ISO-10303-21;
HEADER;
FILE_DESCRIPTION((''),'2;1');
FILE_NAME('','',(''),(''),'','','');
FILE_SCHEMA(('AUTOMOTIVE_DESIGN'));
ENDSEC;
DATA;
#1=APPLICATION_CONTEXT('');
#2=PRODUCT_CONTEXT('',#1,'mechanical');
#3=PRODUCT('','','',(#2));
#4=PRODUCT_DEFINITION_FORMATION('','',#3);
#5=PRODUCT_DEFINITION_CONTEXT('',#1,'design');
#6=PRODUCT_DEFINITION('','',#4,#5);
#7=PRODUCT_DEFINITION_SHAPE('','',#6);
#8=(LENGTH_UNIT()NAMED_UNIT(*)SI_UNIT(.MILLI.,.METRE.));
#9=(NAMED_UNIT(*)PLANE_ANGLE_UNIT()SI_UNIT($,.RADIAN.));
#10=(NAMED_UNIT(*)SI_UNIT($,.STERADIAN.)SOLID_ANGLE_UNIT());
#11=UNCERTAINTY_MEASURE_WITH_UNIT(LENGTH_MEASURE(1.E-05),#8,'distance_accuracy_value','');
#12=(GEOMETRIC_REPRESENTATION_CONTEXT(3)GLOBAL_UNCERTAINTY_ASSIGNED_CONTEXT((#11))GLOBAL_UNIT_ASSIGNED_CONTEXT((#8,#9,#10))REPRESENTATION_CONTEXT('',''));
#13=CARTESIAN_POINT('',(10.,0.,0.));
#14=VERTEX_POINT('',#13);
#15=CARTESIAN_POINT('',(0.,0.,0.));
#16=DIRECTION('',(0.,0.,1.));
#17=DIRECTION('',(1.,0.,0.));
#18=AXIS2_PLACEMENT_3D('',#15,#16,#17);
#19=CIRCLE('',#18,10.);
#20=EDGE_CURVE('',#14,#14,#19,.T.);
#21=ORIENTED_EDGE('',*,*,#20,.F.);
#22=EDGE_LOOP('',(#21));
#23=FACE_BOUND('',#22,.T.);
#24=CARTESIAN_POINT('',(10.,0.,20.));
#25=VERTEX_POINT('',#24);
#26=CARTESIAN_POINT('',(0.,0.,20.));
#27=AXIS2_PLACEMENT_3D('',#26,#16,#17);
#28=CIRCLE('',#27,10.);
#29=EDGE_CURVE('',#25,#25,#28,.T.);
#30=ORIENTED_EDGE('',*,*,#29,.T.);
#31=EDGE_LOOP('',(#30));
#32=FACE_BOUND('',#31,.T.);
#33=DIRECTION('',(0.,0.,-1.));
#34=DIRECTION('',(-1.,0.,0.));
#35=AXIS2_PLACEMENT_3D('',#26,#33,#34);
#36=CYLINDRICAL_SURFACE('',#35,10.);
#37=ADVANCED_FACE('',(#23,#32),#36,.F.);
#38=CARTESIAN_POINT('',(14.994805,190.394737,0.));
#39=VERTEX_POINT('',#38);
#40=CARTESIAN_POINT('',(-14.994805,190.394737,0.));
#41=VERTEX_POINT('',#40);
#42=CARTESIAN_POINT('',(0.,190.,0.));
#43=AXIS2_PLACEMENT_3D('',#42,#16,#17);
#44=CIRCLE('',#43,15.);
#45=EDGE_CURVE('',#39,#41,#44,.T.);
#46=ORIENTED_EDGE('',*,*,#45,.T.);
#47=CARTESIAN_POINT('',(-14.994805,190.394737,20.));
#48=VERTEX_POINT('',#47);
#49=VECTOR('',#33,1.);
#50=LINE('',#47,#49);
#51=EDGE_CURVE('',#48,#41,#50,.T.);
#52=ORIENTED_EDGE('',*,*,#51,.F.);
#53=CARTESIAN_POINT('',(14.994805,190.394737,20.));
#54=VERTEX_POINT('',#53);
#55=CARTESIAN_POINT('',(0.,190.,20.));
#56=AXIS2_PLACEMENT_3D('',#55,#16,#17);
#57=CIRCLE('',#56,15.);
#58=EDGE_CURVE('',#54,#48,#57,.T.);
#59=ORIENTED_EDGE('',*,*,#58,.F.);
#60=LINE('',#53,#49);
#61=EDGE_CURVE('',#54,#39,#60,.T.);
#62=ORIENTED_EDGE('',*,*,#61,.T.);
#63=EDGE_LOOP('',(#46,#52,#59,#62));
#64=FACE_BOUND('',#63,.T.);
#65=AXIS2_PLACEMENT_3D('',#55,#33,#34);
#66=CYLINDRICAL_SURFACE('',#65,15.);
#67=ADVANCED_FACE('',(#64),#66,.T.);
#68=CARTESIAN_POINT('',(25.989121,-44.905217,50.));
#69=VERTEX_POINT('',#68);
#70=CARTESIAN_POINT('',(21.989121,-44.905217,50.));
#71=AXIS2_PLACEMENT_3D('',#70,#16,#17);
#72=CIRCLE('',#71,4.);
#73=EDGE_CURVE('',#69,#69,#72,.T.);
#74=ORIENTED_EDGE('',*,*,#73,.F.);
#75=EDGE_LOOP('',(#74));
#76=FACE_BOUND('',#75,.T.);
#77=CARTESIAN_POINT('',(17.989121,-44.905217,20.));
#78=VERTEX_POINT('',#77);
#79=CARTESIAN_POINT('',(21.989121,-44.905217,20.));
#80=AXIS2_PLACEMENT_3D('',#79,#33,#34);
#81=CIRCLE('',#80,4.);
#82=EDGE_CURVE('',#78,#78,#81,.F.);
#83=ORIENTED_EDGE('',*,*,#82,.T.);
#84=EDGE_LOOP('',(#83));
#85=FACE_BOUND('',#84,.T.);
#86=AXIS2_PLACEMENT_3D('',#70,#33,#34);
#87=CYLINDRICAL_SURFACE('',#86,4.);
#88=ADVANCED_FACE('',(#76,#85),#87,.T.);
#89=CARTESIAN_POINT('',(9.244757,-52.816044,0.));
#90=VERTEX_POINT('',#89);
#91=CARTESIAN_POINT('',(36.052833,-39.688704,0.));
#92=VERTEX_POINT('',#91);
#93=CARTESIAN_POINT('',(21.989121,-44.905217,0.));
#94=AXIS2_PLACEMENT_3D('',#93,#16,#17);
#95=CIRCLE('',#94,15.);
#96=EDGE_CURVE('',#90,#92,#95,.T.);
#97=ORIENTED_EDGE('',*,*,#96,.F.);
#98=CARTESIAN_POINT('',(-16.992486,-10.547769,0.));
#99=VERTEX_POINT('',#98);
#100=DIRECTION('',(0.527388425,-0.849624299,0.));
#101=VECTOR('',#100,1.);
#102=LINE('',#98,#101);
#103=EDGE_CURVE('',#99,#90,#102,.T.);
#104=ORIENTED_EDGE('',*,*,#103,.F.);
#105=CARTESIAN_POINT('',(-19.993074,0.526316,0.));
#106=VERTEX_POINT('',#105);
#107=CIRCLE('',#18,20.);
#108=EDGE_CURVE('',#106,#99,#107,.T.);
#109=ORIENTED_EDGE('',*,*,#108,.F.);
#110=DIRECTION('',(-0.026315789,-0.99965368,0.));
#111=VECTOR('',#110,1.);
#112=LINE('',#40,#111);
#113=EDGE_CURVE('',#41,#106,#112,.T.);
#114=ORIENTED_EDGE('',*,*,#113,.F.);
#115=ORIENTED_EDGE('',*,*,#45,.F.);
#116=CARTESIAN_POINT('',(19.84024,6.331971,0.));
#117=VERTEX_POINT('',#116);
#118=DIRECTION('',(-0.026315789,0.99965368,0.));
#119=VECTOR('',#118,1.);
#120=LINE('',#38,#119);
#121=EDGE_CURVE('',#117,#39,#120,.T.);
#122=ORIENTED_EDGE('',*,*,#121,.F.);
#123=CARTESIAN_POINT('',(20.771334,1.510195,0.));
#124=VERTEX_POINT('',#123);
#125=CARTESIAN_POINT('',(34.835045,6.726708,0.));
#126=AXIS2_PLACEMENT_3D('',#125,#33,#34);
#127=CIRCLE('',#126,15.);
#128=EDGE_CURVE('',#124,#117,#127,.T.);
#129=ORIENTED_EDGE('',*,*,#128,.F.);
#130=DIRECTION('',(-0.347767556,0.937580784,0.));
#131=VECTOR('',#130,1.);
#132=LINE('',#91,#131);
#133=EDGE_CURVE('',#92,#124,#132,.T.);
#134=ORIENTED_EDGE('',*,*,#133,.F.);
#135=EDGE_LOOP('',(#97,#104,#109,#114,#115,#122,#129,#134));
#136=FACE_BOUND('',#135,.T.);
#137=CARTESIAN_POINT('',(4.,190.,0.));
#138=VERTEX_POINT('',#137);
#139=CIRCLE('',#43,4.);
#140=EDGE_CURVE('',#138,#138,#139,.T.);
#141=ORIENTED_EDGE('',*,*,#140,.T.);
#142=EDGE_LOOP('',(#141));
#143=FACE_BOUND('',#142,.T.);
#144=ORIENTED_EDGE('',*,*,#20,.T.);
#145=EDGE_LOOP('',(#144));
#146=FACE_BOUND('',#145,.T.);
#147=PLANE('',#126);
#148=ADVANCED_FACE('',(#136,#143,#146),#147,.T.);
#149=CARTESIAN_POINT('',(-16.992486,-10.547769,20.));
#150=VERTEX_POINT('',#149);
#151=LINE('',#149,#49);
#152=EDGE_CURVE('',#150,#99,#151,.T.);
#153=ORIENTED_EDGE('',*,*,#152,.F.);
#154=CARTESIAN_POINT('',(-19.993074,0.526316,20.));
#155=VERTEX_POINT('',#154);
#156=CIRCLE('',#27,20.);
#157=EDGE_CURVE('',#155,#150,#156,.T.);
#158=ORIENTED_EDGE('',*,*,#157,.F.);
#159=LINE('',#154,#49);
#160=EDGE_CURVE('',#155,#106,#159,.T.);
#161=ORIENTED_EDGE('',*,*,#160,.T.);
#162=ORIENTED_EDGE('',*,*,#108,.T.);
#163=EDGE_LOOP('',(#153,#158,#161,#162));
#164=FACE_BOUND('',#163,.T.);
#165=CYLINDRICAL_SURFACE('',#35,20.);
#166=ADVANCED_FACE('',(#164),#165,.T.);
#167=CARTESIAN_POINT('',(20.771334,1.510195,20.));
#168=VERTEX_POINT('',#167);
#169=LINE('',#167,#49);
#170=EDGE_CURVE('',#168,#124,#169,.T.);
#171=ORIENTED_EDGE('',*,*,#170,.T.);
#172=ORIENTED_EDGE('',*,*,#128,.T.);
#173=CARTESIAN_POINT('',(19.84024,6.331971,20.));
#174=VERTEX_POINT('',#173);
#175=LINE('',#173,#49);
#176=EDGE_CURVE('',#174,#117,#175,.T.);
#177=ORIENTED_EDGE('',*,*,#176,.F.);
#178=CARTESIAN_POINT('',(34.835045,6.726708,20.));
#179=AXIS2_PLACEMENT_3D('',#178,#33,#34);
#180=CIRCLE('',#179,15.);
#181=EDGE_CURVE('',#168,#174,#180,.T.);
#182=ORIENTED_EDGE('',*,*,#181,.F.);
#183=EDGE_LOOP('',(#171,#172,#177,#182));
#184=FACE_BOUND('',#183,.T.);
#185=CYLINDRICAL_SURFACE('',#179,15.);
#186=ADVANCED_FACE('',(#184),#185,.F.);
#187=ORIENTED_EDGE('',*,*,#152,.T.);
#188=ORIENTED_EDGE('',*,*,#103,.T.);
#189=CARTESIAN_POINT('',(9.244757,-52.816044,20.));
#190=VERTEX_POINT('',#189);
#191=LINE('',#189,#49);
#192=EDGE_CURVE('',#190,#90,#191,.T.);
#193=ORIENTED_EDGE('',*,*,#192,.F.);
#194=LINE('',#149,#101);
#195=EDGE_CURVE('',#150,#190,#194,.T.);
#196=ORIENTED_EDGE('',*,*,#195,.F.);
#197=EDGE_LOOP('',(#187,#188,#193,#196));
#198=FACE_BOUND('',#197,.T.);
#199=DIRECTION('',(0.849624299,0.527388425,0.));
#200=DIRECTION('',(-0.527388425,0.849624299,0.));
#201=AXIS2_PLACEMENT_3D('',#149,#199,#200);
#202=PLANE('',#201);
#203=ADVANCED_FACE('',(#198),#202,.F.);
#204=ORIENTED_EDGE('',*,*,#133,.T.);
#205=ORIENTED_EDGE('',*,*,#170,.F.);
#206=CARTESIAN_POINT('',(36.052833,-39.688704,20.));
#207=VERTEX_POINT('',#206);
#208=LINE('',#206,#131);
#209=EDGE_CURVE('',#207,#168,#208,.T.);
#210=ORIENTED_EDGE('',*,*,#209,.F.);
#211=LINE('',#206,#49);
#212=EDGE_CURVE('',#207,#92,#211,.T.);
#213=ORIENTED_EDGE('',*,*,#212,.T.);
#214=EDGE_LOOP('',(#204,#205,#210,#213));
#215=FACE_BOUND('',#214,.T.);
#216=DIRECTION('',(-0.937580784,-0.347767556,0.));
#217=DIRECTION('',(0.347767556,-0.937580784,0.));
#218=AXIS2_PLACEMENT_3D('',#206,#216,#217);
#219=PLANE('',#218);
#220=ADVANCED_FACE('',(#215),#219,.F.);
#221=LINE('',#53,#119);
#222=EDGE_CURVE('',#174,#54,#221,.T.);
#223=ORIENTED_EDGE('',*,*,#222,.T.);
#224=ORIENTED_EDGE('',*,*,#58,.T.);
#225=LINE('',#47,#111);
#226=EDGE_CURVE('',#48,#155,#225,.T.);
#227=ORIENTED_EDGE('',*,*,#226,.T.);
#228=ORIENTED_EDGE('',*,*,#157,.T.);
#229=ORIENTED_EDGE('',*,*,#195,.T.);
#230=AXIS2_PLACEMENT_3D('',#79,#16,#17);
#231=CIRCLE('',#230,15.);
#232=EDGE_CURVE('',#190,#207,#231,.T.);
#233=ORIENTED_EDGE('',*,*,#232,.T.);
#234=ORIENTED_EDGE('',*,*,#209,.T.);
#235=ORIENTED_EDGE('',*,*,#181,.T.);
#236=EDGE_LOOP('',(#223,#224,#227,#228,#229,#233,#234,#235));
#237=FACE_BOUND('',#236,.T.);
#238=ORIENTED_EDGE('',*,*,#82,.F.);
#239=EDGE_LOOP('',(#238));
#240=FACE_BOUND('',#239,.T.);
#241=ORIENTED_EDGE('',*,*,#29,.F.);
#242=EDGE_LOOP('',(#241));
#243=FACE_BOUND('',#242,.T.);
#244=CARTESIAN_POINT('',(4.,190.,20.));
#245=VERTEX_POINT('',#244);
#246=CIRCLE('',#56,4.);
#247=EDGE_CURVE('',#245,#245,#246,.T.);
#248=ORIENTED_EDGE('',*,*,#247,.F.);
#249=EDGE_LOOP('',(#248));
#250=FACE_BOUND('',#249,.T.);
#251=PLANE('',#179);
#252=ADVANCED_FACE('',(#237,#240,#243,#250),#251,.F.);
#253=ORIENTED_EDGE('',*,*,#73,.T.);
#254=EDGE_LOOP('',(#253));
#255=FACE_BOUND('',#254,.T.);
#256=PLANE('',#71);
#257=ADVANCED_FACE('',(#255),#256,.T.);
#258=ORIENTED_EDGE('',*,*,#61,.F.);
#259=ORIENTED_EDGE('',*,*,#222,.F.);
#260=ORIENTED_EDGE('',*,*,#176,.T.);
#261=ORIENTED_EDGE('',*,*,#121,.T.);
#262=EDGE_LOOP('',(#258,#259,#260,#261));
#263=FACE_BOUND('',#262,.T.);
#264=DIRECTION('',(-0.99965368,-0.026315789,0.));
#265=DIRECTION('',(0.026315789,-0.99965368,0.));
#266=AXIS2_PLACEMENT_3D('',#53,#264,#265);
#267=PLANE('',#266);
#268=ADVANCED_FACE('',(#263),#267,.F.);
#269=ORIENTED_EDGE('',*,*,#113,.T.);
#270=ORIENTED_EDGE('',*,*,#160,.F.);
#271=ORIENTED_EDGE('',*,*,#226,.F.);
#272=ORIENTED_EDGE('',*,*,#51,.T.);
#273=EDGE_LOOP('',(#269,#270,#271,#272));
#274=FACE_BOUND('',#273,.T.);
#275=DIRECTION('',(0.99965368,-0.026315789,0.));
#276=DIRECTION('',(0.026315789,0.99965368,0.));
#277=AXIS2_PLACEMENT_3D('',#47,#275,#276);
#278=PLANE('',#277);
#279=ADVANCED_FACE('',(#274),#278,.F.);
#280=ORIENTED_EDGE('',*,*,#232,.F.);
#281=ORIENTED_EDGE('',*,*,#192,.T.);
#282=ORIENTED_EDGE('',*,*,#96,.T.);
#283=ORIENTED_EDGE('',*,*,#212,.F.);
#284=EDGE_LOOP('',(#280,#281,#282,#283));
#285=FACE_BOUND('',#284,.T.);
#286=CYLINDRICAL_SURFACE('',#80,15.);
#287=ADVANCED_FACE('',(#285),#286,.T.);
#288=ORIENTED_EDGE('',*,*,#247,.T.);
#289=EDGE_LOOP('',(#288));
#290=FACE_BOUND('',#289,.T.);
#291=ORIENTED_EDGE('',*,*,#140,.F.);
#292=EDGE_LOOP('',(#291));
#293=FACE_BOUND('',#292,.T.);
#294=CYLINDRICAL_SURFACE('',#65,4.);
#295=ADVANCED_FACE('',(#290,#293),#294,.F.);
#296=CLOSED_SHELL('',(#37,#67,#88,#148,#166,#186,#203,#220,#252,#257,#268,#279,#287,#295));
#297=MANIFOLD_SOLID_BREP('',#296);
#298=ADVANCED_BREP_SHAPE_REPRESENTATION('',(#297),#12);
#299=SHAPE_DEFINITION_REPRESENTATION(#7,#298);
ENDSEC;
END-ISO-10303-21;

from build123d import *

# Parameters (mm, degrees)
SKETCH_1_R      = 4
SKETCH_1_R_2    = 10
EXTRUDE_1_DEPTH = 20
SKETCH_2_R      = 4
EXTRUDE_2_DEPTH = 30


with BuildPart() as part:
    # 草图1 → 凸台-拉伸1 (new body)
    with BuildSketch(Plane.XY):
        with BuildLine():
            Line((-14.994805195, 190.394736842), (-19.993073593, 0.526315789))
            ThreePointArc((-19.993073593, 0.526315789), (-19.303930684, -5.230512418), (-16.992485973, -10.547768506))
            Line((-16.992485973, -10.547768506), (9.244756909, -52.816043677))
            ThreePointArc((9.244756909, -52.816043677), (28.585857805, -58.376782487), (36.052833152, -39.688703956))
            Line((36.052833152, -39.688703956), (20.771333694, 1.510194546))
            ThreePointArc((20.771333694, 1.510194546), (20.107121839, 3.882720212), (19.840240262, 6.331971045))
            Line((19.840240262, 6.331971045), (14.994805195, 190.394736842))
            ThreePointArc((14.994805195, 190.394736842), (0, 205), (-14.994805195, 190.394736842))
        make_face()
        with Locations((0, 190)):
            Circle(SKETCH_1_R, mode=Mode.SUBTRACT)
        Circle(SKETCH_1_R_2, mode=Mode.SUBTRACT)
    extrude(amount=EXTRUDE_1_DEPTH)

    # 草图2 → 凸台-拉伸2 (add)
    with BuildSketch(Plane.XY.offset(20)):
        with Locations(Location((21.989121389, -44.905217298, 0), (0, 0, 180))):
            Circle(SKETCH_2_R)
    extrude(amount=EXTRUDE_2_DEPTH)


solid = part.part
